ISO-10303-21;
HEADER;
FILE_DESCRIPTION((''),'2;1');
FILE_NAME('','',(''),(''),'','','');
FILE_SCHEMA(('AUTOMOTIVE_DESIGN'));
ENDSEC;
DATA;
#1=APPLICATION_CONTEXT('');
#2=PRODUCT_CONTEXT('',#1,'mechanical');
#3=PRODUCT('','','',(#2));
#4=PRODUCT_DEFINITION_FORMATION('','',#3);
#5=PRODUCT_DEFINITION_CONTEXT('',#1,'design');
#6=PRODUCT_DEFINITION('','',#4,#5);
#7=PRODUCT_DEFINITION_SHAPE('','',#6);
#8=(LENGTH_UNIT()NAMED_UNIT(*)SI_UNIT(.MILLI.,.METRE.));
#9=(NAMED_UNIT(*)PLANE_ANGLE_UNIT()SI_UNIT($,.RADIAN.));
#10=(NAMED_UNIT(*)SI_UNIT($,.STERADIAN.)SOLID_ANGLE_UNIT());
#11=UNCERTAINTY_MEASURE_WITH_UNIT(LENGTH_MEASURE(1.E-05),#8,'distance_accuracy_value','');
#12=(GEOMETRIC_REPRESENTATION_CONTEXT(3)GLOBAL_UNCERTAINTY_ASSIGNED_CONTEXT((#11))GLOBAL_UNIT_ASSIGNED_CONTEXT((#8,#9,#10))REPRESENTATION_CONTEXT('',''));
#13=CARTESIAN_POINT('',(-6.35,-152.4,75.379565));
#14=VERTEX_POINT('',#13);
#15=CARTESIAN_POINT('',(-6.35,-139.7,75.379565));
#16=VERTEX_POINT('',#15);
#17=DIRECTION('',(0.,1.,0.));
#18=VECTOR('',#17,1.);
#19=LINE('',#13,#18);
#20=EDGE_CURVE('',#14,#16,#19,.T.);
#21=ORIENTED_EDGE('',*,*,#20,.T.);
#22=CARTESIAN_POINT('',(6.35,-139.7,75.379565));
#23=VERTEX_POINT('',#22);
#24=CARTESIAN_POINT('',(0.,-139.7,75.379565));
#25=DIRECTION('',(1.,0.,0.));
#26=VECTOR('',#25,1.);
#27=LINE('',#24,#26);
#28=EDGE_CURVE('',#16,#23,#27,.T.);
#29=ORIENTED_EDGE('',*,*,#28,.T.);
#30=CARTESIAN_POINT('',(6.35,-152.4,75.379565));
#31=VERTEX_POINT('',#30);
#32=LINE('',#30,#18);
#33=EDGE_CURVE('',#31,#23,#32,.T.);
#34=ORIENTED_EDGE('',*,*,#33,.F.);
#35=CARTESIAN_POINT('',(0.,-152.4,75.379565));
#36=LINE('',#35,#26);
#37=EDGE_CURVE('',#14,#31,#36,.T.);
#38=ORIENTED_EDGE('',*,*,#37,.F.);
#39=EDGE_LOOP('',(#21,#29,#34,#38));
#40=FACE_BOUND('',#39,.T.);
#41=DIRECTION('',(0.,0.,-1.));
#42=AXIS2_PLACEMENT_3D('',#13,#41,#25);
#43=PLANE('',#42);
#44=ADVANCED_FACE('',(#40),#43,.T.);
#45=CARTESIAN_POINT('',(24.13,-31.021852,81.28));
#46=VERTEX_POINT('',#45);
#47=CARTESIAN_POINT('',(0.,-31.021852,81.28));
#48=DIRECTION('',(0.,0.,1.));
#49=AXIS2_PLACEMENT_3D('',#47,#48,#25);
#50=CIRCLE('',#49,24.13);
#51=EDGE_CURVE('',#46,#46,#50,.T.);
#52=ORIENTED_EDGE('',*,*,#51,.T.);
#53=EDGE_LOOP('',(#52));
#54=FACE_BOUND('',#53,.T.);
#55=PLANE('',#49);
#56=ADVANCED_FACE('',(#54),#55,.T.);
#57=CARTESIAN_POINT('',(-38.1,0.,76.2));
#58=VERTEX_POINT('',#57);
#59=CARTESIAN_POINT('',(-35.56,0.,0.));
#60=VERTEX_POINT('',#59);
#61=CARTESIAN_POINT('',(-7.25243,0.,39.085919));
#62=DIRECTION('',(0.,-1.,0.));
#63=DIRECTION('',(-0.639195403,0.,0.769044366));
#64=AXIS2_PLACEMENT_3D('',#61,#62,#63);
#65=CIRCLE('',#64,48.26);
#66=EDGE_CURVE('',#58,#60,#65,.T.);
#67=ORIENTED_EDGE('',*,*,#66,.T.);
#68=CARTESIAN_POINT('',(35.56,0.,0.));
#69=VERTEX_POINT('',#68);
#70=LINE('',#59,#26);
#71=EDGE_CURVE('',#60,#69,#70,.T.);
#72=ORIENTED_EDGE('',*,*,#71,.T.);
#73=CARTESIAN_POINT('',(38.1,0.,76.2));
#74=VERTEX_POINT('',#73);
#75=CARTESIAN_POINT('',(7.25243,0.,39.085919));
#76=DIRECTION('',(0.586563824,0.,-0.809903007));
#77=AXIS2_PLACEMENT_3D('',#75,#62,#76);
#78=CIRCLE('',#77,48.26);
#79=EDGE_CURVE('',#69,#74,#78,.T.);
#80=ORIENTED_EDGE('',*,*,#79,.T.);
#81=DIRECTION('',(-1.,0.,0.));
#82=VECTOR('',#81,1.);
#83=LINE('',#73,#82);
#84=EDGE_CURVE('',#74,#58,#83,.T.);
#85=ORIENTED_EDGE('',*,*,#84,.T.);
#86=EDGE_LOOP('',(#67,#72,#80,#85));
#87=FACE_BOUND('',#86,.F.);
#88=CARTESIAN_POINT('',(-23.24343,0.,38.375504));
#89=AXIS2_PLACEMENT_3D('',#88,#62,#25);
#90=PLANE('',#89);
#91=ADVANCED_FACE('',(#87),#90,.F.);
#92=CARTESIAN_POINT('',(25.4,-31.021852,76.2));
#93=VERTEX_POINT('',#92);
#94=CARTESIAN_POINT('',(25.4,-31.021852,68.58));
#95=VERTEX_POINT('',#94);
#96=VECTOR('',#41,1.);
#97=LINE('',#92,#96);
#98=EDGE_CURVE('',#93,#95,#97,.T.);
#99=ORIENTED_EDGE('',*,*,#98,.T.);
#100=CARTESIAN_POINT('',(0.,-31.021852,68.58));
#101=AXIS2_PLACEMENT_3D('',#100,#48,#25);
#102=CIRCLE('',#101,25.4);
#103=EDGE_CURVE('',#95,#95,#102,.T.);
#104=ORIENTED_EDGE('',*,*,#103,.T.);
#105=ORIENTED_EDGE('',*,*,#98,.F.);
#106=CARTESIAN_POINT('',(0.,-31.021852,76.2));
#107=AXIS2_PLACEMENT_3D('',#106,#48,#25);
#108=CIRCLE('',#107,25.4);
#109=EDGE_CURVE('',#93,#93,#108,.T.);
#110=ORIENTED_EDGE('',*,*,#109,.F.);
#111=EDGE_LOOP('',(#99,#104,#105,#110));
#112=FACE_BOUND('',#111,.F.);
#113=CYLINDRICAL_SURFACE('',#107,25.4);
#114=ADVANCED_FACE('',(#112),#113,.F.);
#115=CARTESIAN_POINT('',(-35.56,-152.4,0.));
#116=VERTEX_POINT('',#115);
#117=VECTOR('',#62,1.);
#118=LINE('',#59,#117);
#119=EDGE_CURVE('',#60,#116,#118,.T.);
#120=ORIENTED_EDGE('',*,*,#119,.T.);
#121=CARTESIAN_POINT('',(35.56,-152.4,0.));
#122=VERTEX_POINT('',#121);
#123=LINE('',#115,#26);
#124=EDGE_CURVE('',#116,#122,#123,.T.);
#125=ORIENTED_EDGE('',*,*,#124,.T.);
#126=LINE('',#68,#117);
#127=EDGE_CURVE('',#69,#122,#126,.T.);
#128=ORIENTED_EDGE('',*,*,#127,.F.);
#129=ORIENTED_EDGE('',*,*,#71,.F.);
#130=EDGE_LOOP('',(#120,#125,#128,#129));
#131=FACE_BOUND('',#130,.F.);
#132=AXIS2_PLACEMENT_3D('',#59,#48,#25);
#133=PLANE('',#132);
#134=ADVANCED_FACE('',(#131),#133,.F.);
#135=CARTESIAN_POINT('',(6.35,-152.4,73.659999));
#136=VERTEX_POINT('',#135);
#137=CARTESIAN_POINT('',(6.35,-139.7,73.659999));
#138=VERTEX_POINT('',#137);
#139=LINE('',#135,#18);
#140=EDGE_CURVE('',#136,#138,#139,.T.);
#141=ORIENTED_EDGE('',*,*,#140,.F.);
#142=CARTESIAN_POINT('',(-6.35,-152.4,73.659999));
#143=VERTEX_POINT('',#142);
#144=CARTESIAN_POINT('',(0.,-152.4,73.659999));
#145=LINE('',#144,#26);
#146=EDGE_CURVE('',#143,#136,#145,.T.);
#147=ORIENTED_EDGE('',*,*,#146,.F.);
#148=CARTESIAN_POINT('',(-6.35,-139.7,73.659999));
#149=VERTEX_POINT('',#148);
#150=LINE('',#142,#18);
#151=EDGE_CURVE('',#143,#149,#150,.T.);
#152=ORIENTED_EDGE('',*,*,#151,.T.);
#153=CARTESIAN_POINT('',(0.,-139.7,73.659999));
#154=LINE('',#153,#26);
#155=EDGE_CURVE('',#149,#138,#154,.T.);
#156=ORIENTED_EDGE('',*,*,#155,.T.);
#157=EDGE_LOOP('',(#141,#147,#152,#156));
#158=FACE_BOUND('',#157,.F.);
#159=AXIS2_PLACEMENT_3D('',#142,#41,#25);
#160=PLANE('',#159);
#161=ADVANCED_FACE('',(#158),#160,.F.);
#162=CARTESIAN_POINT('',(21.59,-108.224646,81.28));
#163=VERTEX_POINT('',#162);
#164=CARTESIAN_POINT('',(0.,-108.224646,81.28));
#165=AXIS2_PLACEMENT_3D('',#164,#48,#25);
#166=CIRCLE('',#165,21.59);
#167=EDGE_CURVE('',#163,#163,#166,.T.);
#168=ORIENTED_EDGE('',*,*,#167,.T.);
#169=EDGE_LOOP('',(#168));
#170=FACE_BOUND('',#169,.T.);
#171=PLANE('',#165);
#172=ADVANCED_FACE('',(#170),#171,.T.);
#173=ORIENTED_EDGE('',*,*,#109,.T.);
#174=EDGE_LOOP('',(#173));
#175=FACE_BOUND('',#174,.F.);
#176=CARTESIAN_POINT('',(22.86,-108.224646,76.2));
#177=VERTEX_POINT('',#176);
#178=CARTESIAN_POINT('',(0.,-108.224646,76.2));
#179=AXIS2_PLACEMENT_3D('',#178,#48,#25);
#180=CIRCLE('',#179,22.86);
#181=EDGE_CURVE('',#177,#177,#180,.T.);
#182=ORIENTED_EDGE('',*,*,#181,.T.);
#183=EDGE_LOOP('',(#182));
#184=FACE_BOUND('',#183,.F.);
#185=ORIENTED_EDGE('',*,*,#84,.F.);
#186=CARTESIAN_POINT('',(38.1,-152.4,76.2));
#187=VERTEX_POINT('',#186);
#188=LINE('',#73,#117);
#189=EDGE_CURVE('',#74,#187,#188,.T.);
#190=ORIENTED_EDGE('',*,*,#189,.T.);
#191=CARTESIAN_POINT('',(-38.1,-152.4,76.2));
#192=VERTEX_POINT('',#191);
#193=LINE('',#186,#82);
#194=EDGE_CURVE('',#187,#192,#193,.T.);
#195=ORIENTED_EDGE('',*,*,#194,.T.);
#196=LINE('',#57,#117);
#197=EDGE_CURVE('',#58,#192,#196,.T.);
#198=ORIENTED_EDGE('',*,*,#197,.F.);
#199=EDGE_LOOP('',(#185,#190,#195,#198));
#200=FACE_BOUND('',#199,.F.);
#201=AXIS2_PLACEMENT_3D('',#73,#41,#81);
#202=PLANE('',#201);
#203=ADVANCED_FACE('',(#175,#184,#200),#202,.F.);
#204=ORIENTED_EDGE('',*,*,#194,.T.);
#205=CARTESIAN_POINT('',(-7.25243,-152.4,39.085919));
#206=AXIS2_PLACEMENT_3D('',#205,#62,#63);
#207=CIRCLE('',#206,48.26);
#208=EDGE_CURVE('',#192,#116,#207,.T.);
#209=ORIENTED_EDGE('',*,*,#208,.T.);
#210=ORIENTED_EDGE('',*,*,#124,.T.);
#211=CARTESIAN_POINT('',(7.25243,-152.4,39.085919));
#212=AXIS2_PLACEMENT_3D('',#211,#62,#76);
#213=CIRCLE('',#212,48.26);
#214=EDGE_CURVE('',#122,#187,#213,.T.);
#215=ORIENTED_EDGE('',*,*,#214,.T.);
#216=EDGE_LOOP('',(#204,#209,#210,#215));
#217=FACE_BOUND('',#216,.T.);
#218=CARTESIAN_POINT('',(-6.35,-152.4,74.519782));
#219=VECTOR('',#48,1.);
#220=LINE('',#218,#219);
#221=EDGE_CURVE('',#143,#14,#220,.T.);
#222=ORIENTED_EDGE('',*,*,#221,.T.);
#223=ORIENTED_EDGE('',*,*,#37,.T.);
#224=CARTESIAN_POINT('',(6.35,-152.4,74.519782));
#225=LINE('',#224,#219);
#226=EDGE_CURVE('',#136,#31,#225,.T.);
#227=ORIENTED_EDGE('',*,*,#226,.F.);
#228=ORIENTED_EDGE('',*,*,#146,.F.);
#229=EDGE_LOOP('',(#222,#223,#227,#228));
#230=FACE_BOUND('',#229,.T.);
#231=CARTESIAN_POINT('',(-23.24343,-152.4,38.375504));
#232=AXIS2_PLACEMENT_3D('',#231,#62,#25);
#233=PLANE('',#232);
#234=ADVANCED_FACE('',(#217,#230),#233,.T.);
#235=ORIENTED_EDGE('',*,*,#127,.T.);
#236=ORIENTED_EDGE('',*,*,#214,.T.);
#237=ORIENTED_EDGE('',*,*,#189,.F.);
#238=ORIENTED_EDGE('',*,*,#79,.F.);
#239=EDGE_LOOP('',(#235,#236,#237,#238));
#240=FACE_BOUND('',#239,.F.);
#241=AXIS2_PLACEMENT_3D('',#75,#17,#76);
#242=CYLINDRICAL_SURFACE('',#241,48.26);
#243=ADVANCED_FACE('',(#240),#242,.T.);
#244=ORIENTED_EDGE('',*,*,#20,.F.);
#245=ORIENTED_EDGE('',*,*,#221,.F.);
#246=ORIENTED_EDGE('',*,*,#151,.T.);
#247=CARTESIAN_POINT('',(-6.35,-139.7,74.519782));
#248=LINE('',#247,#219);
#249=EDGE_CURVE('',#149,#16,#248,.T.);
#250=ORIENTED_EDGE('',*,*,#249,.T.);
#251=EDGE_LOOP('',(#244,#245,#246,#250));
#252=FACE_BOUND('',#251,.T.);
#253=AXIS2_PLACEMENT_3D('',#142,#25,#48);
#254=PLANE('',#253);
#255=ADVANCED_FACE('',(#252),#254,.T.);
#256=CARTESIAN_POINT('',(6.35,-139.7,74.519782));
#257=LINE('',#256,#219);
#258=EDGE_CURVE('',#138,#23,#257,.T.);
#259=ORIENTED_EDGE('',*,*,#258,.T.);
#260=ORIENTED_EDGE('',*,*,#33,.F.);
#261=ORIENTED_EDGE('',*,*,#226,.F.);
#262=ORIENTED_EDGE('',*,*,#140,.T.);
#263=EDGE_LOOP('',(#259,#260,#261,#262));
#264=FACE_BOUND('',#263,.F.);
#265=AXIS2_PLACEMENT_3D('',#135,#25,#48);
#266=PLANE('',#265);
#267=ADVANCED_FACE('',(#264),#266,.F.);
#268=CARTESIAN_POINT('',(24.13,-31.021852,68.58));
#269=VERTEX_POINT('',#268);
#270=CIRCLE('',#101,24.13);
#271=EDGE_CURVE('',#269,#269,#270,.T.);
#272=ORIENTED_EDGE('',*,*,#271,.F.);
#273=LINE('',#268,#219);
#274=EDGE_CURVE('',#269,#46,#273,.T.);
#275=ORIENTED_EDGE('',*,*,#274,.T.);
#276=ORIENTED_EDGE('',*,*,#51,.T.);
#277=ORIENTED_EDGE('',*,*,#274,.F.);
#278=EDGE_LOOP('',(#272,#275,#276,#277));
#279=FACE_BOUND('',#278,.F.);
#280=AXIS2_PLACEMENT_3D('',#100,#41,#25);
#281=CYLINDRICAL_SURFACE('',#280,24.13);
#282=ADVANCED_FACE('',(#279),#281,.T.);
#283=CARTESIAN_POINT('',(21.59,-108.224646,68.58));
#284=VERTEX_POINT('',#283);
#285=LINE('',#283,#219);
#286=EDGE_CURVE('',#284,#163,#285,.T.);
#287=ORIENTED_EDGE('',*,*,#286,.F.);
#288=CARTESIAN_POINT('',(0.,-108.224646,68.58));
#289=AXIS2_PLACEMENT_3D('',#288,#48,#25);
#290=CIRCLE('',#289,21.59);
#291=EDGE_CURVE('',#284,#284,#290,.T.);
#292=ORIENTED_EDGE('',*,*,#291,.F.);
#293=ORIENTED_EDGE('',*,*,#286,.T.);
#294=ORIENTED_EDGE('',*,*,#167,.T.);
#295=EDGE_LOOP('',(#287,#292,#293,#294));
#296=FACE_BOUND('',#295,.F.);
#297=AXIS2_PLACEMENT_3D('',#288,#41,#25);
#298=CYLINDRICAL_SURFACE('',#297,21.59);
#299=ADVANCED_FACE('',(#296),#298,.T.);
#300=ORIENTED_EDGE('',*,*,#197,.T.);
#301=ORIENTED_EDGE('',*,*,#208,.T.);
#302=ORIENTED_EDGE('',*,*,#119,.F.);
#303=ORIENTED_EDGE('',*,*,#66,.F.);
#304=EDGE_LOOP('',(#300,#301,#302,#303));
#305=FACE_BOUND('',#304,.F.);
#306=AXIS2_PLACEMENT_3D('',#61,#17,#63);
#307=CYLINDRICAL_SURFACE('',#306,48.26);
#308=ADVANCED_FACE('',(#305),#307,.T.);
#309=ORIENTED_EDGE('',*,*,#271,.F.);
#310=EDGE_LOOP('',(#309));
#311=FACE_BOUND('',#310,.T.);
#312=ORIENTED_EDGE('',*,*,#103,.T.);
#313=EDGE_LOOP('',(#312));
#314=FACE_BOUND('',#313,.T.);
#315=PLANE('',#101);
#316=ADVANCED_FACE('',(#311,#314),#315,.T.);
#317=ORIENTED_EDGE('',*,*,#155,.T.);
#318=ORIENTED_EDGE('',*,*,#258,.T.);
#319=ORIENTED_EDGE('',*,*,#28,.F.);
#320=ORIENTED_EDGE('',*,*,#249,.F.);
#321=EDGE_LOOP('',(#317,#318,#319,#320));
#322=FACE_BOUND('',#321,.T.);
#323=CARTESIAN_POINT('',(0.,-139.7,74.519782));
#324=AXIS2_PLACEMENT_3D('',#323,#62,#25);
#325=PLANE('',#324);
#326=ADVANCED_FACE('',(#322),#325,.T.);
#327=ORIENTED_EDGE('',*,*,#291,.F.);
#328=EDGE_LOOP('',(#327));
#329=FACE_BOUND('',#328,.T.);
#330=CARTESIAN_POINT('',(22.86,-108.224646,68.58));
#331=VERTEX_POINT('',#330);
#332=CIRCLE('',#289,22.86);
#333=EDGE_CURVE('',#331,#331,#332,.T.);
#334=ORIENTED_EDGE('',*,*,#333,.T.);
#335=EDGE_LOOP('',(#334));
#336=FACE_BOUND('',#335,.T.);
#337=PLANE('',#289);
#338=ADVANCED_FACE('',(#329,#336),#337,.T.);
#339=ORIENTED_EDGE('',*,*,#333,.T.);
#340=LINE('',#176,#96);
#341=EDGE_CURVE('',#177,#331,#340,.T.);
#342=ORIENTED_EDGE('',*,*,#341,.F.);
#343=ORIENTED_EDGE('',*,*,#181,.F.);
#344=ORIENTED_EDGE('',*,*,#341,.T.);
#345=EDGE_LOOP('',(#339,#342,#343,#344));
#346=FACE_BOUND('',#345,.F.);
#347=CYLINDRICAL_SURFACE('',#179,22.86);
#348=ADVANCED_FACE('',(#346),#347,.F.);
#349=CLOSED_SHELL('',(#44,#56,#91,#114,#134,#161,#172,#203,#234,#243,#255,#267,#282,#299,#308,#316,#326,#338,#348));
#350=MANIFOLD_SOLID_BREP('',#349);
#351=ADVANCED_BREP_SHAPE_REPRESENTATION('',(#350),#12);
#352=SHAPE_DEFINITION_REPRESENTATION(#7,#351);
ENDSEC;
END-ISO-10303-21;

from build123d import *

# Parameters (mm, degrees)
F1_DEPTH  = 152.4
F2_R      = 35.861849
F2_R_2    = 34.861464
F3_DEPTH  = 7.62
F4_R      = 25.4
F5_DEPTH  = 7.62
F6_R      = 24.13
F7_DEPTH  = 12.7
F8_R      = 22.86
F9_DEPTH  = 7.62
F10_R     = 21.59
F11_DEPTH = 12.7
F12_W     = 12.7
F12_H     = 1.719565
F13_DEPTH = 12.7


with BuildPart() as f1:
    # F0 (on Front) → F1 (new body)
    with BuildSketch(Plane.XZ):
        with BuildLine():
            Line((-35.56, 0), (0, 0))
            Line((0, 0), (0, 76.2))
            Line((0, 76.2), (-38.1, 76.2))
            ThreePointArc((-38.1, 76.2), (-55.485641, 37.478145), (-35.56, 0))
        make_face()
        with BuildLine():
            Line((0, 76.2), (0, 0))
            Line((0, 0), (35.56, 0))
            ThreePointArc((35.56, 0), (55.485641, 37.478145), (38.1, 76.2))
            Line((38.1, 76.2), (0, 76.2))
        make_face()
    extrude(amount=F1_DEPTH)

    # F2 (on face) → F3 (cut)
    with BuildSketch(Plane.XY.offset(76.2)):
        with Locations((0, -520.644426)):
            Circle(F2_R)
        with Locations((0, -297.697842)):
            Circle(F2_R_2)
    extrude(amount=-F3_DEPTH, mode=Mode.SUBTRACT)

    # F4 (on face) → F5 (cut)
    with BuildSketch(Plane.XY.offset(76.2)):
        with Locations((0, -31.021852)):
            Circle(F4_R)
    extrude(amount=-F5_DEPTH, mode=Mode.SUBTRACT)

    # F6 (on face) → F7 (join)
    with BuildSketch(Plane.XY.offset(68.58)):
        with Locations((0, -31.021852)):
            Circle(F6_R)
    extrude(amount=F7_DEPTH)

    # F8 (on face) → F9 (cut)
    with BuildSketch(Plane.XY.offset(76.2)):
        with Locations((0, -108.224646)):
            Circle(F8_R)
    extrude(amount=-F9_DEPTH, mode=Mode.SUBTRACT)

    # F10 (on face) → F11 (join)
    with BuildSketch(Plane.XY.offset(68.58)):
        with Locations((0, -108.224646)):
            Circle(F10_R)
    extrude(amount=F11_DEPTH)

    # F12 (on face) → F13 (cut)
    with BuildSketch(Plane.XZ.offset(152.4)):
        with Locations((0, 74.519782)):
            Rectangle(F12_W, F12_H)
    extrude(amount=-F13_DEPTH, mode=Mode.SUBTRACT)


solid = f1.part
